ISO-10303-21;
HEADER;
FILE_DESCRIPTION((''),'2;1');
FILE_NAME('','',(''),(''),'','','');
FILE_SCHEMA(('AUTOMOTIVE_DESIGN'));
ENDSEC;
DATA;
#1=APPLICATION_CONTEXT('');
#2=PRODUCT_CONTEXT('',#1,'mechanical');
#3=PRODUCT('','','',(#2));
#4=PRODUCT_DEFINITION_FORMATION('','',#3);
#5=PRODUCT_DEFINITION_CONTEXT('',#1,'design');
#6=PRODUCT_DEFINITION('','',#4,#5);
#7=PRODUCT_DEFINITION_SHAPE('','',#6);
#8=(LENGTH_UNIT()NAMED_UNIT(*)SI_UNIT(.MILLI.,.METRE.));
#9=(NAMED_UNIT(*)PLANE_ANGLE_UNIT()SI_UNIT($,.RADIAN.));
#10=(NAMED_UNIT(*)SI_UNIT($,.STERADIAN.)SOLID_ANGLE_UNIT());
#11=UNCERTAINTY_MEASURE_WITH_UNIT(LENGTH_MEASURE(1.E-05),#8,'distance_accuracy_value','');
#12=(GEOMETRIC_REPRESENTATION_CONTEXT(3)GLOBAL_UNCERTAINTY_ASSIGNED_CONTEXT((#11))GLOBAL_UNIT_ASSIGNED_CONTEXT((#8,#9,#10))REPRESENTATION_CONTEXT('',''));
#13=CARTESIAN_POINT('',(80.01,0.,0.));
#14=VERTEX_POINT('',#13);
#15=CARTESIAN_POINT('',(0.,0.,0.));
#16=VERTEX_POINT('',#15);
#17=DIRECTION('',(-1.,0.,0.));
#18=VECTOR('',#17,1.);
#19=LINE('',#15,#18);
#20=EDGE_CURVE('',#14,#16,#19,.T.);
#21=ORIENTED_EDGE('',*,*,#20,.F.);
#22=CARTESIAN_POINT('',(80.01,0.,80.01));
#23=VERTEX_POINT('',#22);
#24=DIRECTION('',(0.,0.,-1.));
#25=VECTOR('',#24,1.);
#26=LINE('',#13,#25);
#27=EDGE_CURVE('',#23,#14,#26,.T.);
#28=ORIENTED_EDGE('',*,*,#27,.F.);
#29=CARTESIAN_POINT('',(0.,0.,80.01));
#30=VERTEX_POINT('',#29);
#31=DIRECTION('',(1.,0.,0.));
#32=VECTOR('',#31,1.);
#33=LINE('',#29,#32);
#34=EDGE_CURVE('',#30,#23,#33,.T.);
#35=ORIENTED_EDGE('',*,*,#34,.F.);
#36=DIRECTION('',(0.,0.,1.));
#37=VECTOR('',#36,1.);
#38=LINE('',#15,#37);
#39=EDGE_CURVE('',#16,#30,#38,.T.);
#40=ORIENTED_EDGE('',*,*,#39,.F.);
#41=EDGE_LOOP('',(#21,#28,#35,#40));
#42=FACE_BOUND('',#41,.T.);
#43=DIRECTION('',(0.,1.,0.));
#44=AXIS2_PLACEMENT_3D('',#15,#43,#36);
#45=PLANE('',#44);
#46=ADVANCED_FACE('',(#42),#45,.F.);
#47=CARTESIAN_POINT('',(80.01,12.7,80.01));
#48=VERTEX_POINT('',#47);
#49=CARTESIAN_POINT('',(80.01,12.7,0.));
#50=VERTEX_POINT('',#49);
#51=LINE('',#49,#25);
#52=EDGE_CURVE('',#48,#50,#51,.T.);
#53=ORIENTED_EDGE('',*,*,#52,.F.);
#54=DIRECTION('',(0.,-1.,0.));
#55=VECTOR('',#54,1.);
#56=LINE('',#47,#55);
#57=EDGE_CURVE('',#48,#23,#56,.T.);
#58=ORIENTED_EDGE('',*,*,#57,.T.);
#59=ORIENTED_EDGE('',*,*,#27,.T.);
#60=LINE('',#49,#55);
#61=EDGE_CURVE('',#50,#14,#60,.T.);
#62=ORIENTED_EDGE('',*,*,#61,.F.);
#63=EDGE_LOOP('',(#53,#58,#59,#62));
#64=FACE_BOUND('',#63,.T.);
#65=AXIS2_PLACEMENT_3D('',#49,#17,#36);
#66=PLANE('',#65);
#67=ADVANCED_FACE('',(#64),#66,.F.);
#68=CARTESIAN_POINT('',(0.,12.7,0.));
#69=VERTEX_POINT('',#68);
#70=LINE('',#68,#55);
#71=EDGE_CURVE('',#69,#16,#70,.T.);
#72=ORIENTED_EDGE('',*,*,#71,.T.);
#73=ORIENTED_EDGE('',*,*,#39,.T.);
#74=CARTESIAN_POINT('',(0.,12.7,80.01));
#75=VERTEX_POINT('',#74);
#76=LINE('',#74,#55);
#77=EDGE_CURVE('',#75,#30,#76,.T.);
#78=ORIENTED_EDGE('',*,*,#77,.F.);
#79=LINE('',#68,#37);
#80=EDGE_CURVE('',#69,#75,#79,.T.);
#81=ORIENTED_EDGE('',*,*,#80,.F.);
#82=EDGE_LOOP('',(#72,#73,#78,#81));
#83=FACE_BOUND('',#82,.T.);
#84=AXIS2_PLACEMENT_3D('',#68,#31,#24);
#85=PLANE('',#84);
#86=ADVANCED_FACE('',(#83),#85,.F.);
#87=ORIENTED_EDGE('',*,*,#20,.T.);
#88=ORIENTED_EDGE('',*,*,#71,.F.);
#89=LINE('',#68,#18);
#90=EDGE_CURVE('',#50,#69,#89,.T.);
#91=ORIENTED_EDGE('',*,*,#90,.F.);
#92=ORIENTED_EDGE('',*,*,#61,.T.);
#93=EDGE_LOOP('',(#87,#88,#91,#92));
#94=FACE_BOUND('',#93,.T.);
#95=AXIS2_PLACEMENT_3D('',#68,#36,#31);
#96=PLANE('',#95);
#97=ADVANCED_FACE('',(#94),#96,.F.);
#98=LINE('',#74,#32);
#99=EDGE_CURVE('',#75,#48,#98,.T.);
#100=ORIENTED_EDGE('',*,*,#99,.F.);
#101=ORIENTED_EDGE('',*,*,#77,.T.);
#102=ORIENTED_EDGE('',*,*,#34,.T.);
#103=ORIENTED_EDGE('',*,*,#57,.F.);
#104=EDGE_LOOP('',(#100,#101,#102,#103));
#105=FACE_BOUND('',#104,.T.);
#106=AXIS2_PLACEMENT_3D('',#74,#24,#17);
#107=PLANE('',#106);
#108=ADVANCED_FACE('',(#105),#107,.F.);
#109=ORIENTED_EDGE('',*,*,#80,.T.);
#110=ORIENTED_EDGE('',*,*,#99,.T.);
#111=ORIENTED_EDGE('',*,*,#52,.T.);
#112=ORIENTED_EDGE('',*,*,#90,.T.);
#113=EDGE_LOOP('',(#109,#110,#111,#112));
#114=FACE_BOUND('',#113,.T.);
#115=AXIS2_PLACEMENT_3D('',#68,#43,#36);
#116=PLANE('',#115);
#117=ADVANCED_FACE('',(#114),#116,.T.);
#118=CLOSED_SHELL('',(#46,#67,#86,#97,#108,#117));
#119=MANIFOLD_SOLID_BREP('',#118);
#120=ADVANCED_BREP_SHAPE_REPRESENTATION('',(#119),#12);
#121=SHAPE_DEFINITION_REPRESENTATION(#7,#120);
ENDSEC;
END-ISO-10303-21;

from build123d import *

# Parameters (mm, degrees)
SKETCH1_W           = 80.01
SKETCH1_H           = 80.01
BOSS_EXTRUDE1_DEPTH = 12.7


with BuildPart() as part:
    # Sketch1 → Boss-Extrude1 (new body)
    with BuildSketch(Plane(origin=(0, 0, 0), x_dir=(1, 0, 0), z_dir=(0, 1, 0))):
        with Locations((40.005, -40.005)):
            Rectangle(SKETCH1_W, SKETCH1_H)
    extrude(amount=BOSS_EXTRUDE1_DEPTH)


solid = part.part
